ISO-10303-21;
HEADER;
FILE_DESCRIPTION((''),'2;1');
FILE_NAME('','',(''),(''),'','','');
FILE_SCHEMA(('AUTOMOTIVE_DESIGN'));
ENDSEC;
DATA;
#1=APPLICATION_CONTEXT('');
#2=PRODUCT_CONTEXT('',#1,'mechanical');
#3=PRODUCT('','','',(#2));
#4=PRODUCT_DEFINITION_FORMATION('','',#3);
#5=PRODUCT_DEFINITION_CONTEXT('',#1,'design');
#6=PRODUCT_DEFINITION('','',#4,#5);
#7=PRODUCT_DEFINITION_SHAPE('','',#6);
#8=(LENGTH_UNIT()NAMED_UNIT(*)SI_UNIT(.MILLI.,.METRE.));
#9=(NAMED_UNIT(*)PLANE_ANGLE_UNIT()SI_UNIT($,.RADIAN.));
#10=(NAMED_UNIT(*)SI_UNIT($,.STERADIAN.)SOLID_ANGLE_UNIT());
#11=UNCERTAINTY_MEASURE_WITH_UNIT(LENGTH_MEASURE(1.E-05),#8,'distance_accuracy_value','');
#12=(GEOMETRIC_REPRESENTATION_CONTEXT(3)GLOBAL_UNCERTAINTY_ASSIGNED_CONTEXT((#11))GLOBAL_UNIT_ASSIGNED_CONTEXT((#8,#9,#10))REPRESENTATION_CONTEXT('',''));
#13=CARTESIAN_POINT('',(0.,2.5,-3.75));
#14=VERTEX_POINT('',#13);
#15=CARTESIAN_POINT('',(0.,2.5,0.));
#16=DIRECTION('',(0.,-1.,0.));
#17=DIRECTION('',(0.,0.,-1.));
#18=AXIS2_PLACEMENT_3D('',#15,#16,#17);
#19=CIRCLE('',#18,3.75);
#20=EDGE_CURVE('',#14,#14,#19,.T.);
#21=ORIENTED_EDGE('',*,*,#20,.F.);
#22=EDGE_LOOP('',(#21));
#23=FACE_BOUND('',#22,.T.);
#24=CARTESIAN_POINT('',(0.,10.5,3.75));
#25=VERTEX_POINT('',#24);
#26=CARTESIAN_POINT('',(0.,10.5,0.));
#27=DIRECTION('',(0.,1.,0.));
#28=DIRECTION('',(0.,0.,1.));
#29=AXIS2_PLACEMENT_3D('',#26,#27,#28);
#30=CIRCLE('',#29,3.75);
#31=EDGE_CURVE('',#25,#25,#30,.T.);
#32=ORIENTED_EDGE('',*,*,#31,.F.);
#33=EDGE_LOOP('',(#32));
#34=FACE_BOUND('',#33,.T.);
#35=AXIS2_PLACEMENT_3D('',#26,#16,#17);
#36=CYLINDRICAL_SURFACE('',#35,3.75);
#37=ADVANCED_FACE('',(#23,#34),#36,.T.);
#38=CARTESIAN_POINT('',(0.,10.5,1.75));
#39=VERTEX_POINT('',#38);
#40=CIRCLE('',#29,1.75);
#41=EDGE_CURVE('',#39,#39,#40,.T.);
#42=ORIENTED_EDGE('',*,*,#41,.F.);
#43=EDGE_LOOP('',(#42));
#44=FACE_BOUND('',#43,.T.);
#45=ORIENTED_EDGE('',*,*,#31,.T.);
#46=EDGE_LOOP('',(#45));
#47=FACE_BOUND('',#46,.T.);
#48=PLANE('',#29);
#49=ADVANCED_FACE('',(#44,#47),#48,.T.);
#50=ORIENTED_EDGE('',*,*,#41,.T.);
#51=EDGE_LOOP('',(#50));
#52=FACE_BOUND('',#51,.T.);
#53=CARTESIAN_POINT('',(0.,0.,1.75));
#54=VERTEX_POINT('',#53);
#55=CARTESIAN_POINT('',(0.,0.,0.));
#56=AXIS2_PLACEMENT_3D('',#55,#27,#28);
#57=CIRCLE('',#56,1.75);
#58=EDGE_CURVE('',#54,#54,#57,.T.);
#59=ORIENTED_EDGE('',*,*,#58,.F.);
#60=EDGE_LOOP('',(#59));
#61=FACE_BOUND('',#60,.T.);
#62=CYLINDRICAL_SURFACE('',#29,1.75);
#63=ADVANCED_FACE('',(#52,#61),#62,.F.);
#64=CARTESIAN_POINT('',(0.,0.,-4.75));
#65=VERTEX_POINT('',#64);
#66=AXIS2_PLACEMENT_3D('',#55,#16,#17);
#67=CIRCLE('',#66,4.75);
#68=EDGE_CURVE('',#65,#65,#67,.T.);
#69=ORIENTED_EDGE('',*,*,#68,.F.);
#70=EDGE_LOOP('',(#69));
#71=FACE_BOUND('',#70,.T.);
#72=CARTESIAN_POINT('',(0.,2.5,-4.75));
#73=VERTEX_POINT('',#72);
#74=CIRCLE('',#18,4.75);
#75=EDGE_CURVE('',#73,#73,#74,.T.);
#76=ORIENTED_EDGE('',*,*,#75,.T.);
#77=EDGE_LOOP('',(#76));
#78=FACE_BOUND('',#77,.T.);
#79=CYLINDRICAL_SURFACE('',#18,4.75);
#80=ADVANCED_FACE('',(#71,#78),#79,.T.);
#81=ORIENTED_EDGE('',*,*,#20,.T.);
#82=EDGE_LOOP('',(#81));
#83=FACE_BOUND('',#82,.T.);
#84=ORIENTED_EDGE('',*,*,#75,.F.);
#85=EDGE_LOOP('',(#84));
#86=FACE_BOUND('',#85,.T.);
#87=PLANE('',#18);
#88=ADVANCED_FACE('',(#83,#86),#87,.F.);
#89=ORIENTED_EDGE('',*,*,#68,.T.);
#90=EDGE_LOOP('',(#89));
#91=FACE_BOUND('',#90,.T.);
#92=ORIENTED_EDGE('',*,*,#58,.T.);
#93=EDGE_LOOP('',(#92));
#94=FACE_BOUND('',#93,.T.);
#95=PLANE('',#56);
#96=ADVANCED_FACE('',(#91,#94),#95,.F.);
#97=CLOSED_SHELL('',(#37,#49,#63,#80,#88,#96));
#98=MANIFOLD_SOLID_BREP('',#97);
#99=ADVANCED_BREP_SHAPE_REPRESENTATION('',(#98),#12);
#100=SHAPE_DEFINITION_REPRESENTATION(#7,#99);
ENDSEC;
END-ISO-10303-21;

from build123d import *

# Parameters (mm, degrees)
SKETCH1_R                  = 3.75
BOSS_EXTRUDE1_DEPTH        = 10.5
F_3_5_3_5_DIAMETER_HOLE1_D = 3.5
SKETCH5_R                  = 4.75
SKETCH5_R_2                = 3.75
BOSS_EXTRUDE2_DEPTH        = 2.5


with BuildPart() as part:
    # Sketch1 → Boss-Extrude1 (new body)
    with BuildSketch(Plane(origin=(0, 0, 0), x_dir=(1, 0, 0), z_dir=(0, 1, 0))):
        Circle(SKETCH1_R)
    extrude(amount=BOSS_EXTRUDE1_DEPTH)

    # Ø3.5 (3.5) Diameter Hole1 (through all)
    with Locations(Plane(origin=(0, 10.5, 0), x_dir=(1, 0, 0), z_dir=(0, 1, 0))):
        with Locations((0, 0)):
            Hole(F_3_5_3_5_DIAMETER_HOLE1_D / 2)

    # Sketch5 → Boss-Extrude2 (add)
    with BuildSketch(Plane.XZ):
        Circle(SKETCH5_R)
        Circle(SKETCH5_R_2, mode=Mode.SUBTRACT)
    extrude(amount=-BOSS_EXTRUDE2_DEPTH)


solid = part.part
